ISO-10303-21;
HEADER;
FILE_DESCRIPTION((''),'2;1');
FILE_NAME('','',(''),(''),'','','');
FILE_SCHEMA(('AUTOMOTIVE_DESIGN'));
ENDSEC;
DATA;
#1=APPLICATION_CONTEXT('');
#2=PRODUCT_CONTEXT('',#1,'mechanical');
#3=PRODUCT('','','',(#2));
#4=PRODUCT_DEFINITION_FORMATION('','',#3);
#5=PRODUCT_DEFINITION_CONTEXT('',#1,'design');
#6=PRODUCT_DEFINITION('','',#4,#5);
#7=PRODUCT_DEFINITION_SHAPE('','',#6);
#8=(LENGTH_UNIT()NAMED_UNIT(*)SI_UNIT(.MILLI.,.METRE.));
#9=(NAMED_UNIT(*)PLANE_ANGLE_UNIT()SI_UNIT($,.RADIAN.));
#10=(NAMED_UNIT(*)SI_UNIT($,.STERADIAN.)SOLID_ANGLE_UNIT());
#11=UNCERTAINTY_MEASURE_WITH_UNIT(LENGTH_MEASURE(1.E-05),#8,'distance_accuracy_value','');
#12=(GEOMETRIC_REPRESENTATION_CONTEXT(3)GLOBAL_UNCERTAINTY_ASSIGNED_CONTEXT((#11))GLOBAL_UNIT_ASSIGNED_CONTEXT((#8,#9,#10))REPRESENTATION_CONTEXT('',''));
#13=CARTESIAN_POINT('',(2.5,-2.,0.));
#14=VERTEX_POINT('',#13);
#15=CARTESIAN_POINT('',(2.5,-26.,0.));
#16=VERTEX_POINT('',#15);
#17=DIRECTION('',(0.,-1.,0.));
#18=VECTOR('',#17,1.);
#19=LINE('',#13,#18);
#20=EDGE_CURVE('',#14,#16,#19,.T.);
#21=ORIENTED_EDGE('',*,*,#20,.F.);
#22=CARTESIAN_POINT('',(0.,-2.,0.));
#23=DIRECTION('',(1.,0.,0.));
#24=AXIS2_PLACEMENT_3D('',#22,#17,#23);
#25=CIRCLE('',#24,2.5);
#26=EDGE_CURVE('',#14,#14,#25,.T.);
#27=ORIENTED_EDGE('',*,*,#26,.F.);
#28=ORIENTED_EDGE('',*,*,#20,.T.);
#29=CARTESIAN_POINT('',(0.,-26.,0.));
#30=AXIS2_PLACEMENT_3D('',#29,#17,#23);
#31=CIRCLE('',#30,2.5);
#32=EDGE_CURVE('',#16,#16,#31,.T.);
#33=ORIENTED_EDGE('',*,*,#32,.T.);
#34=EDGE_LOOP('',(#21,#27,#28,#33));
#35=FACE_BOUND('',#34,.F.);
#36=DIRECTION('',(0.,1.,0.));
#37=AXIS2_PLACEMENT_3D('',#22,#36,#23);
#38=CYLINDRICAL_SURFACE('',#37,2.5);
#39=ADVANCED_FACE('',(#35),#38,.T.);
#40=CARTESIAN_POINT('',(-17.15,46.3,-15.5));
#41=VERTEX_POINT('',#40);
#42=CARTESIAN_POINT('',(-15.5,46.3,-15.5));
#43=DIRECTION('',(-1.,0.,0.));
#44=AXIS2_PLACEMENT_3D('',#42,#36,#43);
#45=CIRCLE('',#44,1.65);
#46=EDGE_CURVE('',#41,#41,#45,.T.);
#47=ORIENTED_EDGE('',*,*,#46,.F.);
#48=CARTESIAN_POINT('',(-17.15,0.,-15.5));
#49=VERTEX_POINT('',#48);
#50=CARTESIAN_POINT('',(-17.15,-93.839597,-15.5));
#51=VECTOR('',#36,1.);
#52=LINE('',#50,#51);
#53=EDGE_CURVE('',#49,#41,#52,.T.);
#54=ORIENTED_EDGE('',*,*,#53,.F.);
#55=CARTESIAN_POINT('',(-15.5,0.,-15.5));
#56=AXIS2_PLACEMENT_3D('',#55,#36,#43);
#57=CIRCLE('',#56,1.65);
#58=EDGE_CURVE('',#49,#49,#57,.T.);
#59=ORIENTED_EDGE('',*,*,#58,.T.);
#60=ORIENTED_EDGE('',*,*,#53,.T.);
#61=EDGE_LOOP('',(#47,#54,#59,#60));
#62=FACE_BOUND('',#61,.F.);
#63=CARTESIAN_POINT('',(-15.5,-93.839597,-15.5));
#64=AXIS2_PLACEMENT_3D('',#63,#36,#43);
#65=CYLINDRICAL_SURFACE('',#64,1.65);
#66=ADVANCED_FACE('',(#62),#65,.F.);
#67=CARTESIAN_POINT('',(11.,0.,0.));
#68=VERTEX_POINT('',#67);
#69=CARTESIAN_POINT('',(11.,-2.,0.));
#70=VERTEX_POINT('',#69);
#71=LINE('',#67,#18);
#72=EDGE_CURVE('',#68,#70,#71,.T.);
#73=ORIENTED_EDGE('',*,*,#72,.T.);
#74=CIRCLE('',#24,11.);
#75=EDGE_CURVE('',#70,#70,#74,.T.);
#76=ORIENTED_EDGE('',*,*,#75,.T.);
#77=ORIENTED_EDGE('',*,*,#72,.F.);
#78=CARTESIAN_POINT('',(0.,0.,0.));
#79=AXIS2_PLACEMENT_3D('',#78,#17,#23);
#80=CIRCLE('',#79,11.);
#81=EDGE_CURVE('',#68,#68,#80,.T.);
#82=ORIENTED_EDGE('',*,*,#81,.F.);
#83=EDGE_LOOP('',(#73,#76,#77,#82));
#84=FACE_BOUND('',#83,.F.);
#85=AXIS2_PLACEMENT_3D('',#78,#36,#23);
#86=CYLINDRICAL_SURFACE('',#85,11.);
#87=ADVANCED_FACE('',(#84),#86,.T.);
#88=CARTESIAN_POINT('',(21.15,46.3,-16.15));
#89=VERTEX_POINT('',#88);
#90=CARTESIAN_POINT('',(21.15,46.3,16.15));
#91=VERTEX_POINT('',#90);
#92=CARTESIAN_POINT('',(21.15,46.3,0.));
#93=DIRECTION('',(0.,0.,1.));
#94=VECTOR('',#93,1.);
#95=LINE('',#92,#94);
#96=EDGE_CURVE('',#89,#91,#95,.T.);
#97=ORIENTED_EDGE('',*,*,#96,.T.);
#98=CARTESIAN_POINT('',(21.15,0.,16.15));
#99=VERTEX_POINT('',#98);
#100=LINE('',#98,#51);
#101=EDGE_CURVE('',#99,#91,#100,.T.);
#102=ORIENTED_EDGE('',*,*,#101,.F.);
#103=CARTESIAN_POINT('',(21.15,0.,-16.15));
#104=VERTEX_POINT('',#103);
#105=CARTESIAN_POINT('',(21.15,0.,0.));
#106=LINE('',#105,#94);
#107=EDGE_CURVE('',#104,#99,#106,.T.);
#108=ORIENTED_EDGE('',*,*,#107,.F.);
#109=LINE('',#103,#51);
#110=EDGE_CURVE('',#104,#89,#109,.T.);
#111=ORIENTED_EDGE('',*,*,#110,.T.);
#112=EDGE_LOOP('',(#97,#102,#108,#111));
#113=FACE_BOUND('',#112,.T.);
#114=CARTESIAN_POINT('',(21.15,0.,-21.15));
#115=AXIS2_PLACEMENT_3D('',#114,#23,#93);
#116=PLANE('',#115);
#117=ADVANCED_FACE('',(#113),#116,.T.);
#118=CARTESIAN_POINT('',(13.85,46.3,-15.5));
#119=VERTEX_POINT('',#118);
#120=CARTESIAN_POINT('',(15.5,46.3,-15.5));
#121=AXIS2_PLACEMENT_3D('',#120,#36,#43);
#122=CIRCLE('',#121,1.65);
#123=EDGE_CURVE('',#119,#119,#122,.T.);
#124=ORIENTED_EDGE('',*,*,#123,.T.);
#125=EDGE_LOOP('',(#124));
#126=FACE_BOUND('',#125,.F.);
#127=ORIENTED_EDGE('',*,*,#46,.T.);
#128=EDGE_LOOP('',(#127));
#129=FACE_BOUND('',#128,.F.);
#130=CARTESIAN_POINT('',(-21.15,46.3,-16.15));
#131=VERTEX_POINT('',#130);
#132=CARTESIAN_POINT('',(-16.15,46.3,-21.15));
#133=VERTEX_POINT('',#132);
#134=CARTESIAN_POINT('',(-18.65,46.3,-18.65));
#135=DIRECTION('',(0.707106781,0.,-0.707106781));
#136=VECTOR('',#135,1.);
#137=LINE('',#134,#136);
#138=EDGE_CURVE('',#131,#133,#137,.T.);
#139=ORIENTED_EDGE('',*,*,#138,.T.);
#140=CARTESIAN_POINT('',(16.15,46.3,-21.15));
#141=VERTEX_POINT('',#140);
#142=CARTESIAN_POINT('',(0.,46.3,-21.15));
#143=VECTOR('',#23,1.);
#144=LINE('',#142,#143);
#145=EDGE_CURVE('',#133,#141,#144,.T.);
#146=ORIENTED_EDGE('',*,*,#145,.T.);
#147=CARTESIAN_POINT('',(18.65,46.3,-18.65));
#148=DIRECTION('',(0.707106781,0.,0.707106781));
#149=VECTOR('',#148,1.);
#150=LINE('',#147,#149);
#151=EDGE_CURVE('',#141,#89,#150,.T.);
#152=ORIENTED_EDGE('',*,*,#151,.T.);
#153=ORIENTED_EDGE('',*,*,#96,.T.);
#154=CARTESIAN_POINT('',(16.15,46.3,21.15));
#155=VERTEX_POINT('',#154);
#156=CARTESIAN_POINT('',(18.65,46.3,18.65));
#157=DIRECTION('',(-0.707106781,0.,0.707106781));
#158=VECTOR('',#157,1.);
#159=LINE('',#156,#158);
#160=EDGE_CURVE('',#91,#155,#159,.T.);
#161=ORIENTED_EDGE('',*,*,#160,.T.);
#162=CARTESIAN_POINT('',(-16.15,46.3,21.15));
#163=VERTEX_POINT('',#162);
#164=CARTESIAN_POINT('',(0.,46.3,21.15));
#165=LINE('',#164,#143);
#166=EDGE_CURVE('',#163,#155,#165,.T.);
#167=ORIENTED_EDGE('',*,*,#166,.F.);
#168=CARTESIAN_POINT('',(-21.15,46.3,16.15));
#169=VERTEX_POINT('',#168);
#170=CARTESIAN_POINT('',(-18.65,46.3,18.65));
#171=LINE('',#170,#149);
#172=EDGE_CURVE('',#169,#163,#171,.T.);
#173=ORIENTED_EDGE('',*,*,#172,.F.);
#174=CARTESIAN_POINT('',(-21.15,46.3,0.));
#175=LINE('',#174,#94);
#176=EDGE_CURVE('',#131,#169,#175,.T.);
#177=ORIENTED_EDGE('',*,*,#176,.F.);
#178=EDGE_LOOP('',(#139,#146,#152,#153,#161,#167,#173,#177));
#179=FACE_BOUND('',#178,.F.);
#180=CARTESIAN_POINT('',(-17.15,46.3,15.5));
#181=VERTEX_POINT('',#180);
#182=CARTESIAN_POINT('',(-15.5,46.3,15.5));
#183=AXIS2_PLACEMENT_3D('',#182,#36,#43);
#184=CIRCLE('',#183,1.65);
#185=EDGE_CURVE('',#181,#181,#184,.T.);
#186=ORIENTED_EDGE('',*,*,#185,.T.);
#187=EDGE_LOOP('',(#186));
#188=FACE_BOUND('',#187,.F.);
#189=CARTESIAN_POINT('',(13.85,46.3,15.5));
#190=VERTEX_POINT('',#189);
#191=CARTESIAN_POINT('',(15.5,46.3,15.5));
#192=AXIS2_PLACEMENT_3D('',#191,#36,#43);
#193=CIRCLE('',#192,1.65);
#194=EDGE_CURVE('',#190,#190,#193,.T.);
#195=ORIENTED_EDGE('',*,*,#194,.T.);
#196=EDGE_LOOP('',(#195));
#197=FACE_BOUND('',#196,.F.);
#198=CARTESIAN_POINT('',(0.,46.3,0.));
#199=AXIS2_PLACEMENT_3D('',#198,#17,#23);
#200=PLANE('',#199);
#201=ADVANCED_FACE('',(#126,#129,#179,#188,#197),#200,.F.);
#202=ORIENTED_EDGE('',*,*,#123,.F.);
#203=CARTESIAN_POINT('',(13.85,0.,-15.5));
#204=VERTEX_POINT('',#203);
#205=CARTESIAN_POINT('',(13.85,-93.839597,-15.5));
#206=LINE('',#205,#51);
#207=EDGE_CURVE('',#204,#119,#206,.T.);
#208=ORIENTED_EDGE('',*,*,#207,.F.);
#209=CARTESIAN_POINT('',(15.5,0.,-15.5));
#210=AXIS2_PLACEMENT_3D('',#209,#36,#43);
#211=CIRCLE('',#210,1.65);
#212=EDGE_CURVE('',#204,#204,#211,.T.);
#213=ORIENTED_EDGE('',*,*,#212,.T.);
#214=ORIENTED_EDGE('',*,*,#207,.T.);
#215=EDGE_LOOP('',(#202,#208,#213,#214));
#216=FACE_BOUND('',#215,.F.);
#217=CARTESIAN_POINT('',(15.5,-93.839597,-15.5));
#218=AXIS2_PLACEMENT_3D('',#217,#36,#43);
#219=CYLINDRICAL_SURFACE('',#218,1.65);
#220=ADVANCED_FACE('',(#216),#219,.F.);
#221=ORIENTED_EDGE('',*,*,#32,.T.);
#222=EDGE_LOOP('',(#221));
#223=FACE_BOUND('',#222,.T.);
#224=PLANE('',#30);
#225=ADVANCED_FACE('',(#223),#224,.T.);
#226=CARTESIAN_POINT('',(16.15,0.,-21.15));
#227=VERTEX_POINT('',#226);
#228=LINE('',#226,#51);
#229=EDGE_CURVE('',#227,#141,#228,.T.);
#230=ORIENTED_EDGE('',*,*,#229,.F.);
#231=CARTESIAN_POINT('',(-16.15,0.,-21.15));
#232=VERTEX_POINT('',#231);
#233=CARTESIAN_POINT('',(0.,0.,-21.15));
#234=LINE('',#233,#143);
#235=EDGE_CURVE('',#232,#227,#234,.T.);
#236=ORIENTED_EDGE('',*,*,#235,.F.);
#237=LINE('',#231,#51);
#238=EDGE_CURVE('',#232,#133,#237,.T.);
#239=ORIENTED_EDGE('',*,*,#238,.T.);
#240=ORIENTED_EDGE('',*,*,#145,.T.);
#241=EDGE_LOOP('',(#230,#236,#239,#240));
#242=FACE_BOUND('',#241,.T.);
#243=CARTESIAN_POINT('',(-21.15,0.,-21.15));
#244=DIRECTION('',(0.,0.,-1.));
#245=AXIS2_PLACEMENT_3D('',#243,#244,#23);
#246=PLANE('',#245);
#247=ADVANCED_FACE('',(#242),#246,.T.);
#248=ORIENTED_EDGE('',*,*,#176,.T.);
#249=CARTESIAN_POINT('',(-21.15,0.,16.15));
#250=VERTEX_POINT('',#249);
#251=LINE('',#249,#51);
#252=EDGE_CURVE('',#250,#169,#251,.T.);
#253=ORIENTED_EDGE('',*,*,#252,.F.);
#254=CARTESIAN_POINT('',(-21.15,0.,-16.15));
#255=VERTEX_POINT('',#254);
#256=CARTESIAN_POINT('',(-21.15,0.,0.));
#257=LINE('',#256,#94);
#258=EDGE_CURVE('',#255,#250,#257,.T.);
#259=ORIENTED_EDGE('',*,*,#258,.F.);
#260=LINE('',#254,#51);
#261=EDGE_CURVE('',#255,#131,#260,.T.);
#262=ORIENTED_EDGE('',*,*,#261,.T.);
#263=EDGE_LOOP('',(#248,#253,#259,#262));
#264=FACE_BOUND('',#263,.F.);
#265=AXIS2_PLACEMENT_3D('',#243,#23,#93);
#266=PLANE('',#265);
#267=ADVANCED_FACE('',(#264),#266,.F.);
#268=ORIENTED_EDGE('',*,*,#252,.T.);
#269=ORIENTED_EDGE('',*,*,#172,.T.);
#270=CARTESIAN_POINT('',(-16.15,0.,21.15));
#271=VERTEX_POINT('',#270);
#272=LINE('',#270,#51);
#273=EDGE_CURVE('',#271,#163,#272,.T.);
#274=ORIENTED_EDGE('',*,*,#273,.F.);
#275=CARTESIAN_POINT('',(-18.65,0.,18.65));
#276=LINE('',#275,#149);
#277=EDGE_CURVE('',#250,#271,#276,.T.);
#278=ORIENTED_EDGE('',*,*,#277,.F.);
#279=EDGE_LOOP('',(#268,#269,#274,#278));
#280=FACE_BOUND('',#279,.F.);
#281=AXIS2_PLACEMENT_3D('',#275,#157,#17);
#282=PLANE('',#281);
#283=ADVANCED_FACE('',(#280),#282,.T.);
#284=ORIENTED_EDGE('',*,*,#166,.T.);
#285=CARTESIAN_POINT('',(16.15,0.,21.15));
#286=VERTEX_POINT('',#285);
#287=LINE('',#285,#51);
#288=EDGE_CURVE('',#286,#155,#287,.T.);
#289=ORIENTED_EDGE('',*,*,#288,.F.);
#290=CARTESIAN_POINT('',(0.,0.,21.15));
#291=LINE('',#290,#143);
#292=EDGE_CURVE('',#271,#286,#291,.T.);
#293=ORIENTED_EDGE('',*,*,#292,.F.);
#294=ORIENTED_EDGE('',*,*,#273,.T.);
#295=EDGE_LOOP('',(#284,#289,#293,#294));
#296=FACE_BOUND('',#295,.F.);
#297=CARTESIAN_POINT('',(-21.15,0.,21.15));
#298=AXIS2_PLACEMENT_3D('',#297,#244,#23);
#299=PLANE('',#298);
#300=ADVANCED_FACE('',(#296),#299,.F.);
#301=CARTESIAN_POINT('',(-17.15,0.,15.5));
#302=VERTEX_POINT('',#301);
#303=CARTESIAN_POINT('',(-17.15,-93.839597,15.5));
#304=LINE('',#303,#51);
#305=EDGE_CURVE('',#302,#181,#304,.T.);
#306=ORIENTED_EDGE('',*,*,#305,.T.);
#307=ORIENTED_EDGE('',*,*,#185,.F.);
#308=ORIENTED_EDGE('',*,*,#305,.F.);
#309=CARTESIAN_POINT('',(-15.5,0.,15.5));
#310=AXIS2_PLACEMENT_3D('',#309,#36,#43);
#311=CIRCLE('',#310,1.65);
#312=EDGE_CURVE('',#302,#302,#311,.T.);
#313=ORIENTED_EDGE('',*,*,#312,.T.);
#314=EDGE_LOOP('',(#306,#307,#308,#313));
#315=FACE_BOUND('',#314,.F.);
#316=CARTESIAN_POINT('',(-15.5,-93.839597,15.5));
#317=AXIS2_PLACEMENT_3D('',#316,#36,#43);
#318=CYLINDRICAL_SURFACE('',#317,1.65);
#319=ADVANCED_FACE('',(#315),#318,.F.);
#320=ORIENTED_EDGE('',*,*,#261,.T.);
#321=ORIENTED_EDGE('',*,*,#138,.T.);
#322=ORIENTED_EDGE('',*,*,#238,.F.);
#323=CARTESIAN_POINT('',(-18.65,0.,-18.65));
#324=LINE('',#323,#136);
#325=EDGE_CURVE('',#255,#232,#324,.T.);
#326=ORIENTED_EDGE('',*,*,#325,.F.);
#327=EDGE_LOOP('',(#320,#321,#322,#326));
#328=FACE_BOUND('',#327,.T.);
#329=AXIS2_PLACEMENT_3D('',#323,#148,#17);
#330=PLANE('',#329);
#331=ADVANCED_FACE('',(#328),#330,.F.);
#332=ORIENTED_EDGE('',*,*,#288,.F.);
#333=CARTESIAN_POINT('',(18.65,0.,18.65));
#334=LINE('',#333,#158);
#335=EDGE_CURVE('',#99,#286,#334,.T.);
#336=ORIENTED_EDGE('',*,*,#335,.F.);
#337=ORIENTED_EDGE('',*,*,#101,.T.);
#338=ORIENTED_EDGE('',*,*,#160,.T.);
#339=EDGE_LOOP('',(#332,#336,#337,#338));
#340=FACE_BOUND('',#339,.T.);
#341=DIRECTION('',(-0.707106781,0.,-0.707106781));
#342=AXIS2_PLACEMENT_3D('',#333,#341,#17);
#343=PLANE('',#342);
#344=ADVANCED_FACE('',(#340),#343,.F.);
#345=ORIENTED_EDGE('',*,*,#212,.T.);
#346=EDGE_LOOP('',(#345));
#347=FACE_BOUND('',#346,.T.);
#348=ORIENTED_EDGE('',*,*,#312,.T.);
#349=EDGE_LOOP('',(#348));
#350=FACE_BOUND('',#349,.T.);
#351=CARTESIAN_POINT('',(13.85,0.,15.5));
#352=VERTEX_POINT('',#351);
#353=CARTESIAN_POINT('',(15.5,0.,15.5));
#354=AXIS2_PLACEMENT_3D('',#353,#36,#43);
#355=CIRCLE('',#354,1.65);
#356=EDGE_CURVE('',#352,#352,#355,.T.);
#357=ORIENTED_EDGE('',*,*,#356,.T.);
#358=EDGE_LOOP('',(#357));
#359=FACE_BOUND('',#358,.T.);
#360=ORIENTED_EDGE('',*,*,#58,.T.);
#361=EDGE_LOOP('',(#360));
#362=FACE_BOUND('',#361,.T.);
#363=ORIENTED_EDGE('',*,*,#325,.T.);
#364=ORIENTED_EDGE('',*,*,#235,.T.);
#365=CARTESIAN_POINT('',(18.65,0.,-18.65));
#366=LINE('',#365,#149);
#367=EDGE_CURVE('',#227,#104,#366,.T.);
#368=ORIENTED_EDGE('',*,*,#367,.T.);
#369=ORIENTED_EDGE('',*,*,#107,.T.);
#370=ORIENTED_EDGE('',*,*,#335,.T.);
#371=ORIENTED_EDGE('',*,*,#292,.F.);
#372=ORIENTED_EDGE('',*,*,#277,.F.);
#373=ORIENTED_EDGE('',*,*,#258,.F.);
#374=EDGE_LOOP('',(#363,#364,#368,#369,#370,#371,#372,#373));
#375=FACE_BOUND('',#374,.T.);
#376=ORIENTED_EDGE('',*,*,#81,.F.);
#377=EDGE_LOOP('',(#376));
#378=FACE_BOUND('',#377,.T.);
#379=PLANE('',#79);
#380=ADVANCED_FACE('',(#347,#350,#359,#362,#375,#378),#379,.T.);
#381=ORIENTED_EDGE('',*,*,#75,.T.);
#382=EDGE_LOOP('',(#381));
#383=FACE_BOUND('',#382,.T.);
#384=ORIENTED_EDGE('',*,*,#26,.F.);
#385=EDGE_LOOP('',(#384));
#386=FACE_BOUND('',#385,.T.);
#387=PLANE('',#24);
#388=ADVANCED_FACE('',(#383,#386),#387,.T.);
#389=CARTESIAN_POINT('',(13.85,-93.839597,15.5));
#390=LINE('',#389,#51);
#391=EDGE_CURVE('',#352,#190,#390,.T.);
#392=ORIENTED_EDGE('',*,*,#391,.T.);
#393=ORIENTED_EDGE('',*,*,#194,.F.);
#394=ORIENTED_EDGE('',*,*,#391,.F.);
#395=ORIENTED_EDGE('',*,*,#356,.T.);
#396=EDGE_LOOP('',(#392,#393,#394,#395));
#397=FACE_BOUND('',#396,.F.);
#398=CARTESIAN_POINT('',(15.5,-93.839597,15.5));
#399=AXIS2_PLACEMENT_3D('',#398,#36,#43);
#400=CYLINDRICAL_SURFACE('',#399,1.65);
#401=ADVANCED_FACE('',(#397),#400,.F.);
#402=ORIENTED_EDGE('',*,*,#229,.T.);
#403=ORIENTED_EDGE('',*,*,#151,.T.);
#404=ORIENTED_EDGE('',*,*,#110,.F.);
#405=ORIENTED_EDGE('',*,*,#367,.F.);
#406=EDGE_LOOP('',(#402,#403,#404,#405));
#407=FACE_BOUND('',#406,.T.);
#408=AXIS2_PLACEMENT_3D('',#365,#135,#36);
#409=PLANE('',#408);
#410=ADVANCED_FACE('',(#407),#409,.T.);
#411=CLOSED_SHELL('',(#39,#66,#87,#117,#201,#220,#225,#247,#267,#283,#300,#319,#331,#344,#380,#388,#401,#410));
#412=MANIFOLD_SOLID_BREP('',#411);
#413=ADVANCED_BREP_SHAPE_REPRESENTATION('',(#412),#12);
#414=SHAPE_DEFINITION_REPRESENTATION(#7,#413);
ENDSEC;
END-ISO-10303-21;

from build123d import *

# Parameters (mm, degrees)
F0_W     = 42.3
F0_H     = 42.3
F1_DEPTH = 46.3
F2_SIZE  = 5
F3_R     = 11
F4_DEPTH = 2
F5_R     = 2.5
F6_DEPTH = 24
F8_D     = 3.3


with BuildPart() as f1:
    # F0 (on Front) → F1 (new body)
    with BuildSketch(Plane.XZ):
        Rectangle(F0_W, F0_H)
    extrude(amount=-F1_DEPTH)

    # F2
    f2_edges = [f1.edges().sort_by_distance(p)[0] for p in [
        (-21.15, 23.15, 21.15),
        (21.15, 23.15, 21.15),
        (-21.15, 23.15, -21.15),
        (21.15, 23.15, -21.15),
    ]]
    chamfer(f2_edges, length=F2_SIZE)

    # F3 (on face) → F4 (join)
    with BuildSketch(Plane.XZ):
        Circle(F3_R)
    extrude(amount=F4_DEPTH)

    # F5 (on face) → F6 (join)
    with BuildSketch(Plane.XZ.offset(2)):
        Circle(F5_R)
    extrude(amount=F6_DEPTH)

    # F8 (through all)
    with Locations(Plane.XZ):
        with Locations((15.5, 15.5), (-15.5, 15.5), (-15.5, -15.5), (15.5, -15.5)):
            Hole(F8_D / 2)


solid = f1.part
